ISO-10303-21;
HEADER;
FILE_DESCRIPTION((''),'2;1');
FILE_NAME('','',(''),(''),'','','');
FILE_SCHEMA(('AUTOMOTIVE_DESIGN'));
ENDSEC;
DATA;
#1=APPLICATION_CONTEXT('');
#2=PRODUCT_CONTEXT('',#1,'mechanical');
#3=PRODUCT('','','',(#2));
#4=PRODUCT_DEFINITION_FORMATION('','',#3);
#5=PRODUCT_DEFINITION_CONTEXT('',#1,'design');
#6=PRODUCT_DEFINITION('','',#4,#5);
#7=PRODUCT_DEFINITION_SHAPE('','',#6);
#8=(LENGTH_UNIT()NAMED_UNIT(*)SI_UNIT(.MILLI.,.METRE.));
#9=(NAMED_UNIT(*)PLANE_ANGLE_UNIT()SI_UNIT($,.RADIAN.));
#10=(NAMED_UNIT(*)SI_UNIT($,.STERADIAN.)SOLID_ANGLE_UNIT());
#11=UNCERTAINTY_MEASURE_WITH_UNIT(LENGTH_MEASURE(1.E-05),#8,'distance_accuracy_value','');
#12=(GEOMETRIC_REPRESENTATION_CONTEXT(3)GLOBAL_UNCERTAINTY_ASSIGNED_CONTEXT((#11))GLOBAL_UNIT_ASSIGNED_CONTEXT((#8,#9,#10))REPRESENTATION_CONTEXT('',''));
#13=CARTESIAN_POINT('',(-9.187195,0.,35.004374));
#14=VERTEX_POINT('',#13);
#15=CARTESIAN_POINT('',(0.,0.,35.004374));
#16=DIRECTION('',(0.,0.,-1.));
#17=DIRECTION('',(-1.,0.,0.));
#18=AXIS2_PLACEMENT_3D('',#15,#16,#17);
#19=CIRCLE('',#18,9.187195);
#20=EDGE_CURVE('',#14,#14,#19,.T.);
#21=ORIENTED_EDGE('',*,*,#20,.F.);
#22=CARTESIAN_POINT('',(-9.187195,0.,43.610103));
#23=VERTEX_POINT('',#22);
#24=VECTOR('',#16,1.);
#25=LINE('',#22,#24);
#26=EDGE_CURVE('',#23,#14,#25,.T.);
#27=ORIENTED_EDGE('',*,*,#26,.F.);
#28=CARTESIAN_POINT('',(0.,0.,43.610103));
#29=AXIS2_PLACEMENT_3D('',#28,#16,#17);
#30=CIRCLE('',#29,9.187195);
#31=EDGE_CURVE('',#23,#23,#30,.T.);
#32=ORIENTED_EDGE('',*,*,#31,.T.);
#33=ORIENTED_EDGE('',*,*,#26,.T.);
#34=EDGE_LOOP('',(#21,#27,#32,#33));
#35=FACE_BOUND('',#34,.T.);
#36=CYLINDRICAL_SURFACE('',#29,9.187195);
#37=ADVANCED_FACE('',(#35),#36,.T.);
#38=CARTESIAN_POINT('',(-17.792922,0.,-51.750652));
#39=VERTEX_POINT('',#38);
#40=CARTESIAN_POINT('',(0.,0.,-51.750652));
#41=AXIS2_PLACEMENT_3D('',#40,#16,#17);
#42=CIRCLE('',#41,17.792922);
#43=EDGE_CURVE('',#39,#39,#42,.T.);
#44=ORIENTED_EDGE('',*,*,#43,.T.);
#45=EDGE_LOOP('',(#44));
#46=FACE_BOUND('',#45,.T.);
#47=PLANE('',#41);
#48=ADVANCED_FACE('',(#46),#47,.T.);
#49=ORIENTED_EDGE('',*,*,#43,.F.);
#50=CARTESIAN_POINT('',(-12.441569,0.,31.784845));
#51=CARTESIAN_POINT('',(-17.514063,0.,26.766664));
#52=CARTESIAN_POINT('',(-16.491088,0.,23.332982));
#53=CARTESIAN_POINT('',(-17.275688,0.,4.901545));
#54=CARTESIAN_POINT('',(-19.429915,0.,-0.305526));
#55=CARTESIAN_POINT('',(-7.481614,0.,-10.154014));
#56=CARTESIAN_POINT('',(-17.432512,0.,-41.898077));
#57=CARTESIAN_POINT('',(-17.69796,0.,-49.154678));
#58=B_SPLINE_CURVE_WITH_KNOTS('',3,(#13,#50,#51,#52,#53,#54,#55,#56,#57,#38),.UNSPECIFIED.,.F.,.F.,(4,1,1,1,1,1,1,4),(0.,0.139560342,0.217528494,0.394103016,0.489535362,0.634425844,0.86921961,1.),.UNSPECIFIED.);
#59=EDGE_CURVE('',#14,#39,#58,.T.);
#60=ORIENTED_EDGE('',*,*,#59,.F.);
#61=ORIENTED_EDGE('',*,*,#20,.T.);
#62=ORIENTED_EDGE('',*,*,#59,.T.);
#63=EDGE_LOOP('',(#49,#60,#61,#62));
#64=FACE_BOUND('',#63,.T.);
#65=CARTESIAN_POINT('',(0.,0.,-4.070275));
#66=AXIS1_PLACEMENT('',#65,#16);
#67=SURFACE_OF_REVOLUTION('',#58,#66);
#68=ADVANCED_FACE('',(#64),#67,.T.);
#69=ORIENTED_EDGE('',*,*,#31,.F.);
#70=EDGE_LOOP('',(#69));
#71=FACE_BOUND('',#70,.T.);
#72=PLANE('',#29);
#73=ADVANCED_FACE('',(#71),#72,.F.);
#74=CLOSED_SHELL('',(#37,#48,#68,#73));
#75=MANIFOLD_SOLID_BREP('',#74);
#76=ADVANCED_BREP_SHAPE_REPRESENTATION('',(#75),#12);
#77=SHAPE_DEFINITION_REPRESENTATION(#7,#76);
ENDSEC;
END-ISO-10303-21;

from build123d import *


with BuildPart() as f1:
    # F0 (on Front) → F1 (revolve)
    with BuildSketch(Plane.XZ):
        with BuildLine():
            Line((0, -51.750652492), (0, 43.6101034284))
            Line((0, 43.6101034284), (-9.1871954501, 43.6101034284))
            Line((-9.1871954501, 43.6101034284), (-9.1871954501, 35.0043736398))
            add(Edge.make_bspline(
                [(-9.1871954501, 35.0043736398), (-12.4415690466, 31.7848453268), (-17.5140629617, 26.7666637035), (-16.491088285, 23.3329824451), (-17.2756883794, 4.9015450952), (-19.4299151016, -0.3055260504), (-7.4816141395, -10.1540144292), (-17.4325118727, -41.8980772422), (-17.6979601318, -49.1546782115), (-17.7929215133, -51.750652492)],
                knots=[0, 0, 0, 0, 0.1395603424, 0.217528494, 0.3941030161, 0.4895353624, 0.634425844, 0.8692196097, 1, 1, 1, 1], degree=3))
            Line((-17.7929215133, -51.750652492), (0, -51.750652492))
        make_face()
    revolve(axis=Axis((0, 0, -4.0702745318), (0, 0, -1)))


solid = f1.part
